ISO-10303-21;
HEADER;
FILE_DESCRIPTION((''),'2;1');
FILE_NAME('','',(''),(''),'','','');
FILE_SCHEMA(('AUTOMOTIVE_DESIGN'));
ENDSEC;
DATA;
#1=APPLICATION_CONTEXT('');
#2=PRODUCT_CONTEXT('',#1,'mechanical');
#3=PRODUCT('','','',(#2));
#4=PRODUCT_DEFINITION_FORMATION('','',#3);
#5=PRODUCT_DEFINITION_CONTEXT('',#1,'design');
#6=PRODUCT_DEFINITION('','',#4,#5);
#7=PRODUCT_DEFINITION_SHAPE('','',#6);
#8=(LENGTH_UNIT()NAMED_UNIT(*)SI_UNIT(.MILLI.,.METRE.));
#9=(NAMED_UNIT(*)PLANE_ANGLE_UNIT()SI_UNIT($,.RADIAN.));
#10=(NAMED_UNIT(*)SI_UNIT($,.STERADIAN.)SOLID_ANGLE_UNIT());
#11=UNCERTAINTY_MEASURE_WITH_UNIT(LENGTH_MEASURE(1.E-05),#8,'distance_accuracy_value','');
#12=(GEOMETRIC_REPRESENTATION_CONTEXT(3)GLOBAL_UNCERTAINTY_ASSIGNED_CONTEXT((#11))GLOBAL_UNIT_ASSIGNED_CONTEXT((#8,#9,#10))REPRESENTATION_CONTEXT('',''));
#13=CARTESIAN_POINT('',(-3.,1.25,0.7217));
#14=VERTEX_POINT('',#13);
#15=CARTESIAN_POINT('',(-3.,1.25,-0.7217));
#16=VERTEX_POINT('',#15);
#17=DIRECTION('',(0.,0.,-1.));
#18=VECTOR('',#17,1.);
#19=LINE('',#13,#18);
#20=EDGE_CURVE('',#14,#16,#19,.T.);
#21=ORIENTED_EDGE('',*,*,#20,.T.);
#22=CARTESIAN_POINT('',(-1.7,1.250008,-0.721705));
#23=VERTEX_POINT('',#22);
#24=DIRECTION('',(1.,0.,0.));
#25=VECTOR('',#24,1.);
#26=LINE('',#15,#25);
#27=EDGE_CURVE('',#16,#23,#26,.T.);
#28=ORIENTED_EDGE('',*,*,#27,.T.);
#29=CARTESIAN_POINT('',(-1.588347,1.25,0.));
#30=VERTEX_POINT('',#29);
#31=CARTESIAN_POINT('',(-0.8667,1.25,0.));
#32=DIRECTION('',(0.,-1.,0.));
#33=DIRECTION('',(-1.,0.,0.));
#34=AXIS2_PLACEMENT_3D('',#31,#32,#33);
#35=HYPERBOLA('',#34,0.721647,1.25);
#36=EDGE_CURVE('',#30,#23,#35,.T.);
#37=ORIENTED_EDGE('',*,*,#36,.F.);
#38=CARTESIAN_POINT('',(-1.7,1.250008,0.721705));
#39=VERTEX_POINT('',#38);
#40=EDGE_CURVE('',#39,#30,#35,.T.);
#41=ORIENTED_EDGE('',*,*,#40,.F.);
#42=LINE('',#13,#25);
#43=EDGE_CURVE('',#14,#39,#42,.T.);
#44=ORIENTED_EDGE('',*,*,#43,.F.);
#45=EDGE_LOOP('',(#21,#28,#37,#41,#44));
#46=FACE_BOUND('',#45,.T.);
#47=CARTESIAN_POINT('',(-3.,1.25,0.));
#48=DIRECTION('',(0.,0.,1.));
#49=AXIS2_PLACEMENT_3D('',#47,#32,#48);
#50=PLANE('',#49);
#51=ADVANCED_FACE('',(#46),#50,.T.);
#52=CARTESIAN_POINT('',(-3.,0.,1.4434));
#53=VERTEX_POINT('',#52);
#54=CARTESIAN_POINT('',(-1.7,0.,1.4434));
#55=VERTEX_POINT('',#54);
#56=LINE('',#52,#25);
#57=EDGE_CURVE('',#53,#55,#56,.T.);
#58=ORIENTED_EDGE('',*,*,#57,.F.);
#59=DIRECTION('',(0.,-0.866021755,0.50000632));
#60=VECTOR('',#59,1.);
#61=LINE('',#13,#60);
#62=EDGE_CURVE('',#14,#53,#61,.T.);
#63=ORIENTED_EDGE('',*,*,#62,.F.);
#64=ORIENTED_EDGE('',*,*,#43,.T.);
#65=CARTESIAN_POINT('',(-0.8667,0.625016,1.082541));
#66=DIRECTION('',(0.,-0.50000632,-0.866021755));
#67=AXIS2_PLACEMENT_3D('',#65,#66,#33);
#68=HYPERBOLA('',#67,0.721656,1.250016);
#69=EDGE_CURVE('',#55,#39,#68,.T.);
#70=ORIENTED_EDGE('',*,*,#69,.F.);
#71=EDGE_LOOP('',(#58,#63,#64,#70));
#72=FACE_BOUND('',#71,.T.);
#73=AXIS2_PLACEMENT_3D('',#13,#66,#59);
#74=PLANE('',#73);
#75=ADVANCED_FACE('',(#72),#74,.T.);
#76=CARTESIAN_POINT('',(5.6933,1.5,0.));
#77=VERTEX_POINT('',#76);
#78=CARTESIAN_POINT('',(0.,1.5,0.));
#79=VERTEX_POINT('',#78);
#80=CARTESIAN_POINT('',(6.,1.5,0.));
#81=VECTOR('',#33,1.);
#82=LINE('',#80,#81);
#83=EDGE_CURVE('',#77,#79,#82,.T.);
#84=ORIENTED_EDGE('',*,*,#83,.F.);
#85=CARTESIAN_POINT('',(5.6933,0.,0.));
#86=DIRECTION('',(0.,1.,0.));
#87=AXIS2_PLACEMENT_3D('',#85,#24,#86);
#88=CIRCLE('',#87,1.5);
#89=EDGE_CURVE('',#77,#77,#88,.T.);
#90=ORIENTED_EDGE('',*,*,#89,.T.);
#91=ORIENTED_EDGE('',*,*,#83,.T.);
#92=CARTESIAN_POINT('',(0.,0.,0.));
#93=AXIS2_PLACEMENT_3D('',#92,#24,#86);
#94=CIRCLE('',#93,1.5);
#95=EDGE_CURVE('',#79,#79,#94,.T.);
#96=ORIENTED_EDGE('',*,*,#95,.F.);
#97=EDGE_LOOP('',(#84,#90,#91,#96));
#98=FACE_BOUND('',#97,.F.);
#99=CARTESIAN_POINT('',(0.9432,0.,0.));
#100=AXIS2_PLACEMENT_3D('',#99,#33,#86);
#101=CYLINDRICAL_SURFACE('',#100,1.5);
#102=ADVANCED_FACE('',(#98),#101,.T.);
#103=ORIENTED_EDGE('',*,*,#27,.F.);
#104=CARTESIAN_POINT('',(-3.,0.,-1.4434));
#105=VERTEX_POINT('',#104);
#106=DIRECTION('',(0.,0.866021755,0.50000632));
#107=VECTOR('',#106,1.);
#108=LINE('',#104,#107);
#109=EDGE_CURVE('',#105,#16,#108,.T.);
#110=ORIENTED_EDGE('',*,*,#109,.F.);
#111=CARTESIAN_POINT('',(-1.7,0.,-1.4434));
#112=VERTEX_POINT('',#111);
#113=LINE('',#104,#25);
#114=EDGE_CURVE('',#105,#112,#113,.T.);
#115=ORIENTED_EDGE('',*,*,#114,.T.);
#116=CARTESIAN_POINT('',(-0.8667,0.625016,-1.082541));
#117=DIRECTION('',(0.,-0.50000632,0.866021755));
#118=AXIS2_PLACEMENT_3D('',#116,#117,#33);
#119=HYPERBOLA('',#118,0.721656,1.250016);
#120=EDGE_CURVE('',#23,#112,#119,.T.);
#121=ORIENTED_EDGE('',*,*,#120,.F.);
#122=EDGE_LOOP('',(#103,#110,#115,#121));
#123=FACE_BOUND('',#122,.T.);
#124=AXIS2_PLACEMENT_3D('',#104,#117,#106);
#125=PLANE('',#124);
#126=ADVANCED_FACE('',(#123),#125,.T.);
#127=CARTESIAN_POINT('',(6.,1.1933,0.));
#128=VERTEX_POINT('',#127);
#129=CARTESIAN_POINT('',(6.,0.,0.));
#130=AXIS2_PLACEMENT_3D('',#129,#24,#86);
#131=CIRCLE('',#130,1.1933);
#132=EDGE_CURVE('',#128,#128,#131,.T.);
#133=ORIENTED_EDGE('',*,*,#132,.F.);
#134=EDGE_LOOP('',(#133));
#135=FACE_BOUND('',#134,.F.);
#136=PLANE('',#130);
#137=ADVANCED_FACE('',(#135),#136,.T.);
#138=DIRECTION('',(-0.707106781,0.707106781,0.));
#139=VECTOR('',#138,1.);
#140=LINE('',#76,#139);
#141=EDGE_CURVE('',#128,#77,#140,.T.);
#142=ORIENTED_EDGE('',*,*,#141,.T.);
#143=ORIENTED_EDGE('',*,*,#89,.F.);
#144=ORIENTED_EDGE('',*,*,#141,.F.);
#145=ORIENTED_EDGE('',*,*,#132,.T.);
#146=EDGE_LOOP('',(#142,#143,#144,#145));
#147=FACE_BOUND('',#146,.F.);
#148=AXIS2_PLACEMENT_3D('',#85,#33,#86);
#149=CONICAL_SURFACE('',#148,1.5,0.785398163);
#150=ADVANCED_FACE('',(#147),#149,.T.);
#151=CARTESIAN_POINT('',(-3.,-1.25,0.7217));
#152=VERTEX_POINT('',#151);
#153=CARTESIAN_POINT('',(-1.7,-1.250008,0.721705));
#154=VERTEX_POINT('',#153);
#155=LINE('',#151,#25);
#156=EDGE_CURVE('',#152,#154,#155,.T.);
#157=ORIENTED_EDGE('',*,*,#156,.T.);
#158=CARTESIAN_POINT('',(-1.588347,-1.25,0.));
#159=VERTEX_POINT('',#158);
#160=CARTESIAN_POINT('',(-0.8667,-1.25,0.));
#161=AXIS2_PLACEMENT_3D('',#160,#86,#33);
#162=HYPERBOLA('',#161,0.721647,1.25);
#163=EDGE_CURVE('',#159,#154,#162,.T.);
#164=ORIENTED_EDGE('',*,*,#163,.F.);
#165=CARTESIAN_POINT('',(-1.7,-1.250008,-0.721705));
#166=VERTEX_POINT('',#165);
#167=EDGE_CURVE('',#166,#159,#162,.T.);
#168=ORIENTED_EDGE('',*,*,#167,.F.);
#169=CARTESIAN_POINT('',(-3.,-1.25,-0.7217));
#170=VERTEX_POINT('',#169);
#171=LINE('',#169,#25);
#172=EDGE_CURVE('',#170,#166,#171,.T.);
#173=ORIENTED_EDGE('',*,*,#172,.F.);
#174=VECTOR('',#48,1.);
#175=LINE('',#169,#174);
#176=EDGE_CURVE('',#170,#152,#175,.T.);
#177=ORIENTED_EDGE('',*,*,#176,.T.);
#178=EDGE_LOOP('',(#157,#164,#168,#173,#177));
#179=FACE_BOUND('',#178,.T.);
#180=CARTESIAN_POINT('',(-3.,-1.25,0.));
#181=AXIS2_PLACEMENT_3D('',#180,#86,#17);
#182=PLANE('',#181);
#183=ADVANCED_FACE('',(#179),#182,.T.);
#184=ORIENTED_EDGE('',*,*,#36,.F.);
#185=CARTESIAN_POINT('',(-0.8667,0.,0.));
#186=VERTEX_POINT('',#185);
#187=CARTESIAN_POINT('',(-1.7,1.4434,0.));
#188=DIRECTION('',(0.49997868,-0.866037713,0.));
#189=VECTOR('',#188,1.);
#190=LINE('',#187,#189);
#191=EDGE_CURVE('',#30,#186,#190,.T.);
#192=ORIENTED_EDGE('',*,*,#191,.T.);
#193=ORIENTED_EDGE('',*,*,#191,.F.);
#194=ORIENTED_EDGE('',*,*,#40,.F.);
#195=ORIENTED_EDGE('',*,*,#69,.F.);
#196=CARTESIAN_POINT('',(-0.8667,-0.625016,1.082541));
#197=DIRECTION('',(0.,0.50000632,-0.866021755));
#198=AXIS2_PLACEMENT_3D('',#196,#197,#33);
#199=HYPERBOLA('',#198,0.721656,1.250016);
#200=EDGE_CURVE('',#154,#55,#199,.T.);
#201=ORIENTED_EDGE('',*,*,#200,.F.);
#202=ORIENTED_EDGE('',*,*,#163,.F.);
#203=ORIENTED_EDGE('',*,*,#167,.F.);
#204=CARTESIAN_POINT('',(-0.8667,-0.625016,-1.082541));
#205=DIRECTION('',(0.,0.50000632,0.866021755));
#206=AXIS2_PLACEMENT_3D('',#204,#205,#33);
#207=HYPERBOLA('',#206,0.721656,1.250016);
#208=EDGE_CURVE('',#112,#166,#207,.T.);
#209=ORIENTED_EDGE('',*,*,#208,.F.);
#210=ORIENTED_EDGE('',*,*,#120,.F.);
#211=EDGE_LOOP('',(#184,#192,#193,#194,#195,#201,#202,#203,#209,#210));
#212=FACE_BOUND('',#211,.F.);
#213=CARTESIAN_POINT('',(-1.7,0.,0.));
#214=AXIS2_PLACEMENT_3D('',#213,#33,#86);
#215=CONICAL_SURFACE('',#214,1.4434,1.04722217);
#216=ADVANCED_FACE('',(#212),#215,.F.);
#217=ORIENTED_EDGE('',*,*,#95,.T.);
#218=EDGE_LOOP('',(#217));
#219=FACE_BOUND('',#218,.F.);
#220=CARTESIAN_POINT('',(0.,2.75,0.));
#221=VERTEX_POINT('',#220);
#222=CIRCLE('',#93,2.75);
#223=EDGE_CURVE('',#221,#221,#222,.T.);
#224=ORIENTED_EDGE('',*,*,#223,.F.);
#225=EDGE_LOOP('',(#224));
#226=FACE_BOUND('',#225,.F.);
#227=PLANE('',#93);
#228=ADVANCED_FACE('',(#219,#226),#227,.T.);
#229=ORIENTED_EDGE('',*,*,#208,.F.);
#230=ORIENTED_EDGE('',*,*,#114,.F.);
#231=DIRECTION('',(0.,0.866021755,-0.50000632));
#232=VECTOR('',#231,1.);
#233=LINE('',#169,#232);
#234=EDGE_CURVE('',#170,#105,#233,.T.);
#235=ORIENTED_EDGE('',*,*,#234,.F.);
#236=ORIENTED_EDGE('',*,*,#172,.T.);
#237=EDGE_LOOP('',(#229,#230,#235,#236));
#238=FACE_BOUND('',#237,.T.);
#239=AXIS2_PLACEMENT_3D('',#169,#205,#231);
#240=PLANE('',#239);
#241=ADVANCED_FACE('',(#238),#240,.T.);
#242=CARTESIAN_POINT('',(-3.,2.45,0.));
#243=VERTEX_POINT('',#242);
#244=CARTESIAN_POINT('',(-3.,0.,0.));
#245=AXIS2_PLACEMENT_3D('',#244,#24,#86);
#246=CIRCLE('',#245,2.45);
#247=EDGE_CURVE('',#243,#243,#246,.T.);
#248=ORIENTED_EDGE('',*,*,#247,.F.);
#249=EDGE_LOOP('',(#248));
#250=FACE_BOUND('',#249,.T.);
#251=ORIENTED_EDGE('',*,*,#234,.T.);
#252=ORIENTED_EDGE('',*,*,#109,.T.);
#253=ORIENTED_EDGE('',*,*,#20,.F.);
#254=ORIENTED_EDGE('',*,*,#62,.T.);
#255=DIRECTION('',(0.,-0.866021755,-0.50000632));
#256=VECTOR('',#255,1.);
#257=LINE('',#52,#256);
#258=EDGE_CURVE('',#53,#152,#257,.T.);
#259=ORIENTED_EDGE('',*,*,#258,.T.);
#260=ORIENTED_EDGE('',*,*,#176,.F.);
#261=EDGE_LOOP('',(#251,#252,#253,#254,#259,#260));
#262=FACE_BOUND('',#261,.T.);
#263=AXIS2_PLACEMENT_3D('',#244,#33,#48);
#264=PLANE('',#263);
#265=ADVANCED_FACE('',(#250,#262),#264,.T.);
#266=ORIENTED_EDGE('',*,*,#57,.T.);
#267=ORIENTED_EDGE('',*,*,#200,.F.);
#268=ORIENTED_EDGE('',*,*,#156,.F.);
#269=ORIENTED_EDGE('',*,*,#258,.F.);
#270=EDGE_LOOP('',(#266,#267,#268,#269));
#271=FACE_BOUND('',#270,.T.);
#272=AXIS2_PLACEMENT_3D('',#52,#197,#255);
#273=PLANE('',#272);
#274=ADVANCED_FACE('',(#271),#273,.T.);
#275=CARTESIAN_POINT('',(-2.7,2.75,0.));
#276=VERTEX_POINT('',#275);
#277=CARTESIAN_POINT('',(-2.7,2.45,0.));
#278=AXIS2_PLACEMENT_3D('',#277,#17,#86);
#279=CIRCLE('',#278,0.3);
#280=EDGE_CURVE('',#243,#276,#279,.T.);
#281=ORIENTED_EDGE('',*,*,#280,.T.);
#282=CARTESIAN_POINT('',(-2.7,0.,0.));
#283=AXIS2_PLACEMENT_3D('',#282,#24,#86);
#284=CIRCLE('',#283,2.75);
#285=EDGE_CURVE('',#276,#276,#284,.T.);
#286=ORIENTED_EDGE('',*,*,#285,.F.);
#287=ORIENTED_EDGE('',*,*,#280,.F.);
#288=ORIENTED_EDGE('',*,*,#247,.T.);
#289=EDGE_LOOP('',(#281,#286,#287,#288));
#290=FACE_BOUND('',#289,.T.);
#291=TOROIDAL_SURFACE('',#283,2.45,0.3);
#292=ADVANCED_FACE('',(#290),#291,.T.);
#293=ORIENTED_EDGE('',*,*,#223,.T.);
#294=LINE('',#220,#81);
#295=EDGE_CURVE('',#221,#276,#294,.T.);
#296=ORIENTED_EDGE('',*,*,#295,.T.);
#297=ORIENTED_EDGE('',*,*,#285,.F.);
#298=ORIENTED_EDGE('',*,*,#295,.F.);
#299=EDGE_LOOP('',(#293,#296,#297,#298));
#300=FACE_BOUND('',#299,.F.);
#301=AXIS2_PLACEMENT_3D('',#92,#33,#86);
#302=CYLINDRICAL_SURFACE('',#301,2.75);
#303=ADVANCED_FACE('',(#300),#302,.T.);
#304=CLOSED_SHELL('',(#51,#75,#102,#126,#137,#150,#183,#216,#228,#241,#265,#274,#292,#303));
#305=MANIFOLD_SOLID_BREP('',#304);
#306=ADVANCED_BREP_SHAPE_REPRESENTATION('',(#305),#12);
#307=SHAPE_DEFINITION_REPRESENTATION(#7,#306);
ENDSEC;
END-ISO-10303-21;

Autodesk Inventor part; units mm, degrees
ref_plane "YZ Plane" through (0, 0, 0) normal (1, 0, 0) x (0, 1, 0)
ref_plane "XZ Plane" through (0, 0, 0) normal (0, 1, 0) x (-1, 0, 0)
ref_plane "XY Plane" through (0, 0, 0) normal (0, 0, 1) x (1, 0, 0)
sketch "Skizze1" plane through (0, 0, 0) normal (0, 0, 1) x (1, 0, 0)
  line L0 (-0.8667, 0) -> (6, 0)
  line L1 (6, 0) -> (6, 1.5)
  line L2 (6, 1.5) -> (1.25, 1.5)
  line L3 (1.25, 1.5) -> (0.9432, 1.5)
  line L4 (0.9432, 1.5) -> (0, 1.5)
  line L5 (0, 1.5) -> (0, 2.75)
  line L6 (0, 2.75) -> (-3, 2.75)
  line L7 (-3, 2.75) -> (-3, 1.4434)
  line L8 (-3, 1.4434) -> (-1.7, 1.4434)
  line L9 (-1.7, 1.4434) -> (-0.8667, 0)
  line L10 (-15.5, 0) -> (61.5, 0) projected
  line L11 (0, -0.8) -> (0, 10.4) projected
  line L12 (1.25, 1.5) -> (0, 1.5) construction
  dimension "d1" = 4.75
  dimension "d2" = 0.3068
  dimension "d3" = 3
  dimension "d4" = 1.3
  dimension "d5" = 60
  dimension "d6" = 3
  dimension "d7" = 3
  dimension "d8" = 2.8868
  dimension "d9" = 5.5
  dimension "d26" = 6
revolve "Körper" add sketch "Skizze1" angle 360 about axis through (-0.8667, 0, 0) along (1, 0, 0)
sketch "Skizze2" plane through (-3, 0, 0) normal (-1, 0, 0) x (0, 0, 1)
  circle A0 centre (0, 0) radius 1.4434 projected
  line L0 (0, -3.3) -> (0, 4.4) projected
  line L1 (-3.3, 0) -> (4.4, 0) projected
  line L2 (1.4434, 0) -> (0.7217, -1.25)
  line L3 (0.7217, -1.25) -> (-0.7217, -1.25)
  line L4 (-0.7217, -1.25) -> (-1.4434, 0)
  line L5 (-1.4434, 0) -> (-0.7217, 1.25)
  line L6 (-0.7217, 1.25) -> (0.7217, 1.25)
  line L7 (0.7217, 1.25) -> (1.4434, 0)
extrude "Loch" add sketch "Skizze2" against normal up to next contours L7 A0 | A0 L2 | L6 L0 A0 | A0 L0 L3 | L0 L6 A0 | A0 L3 L0 | L4 A0 | A0 L5
fillet "Rundung1" radius 0.3 1 edges at (-3, -2.75, 0)
thread "Gewinde" size "M3x0.5" designation "M3" class "6g" standard "ANSI Metrisches M Profil" length 4.75
chamfer "Fase1" distance 0.3067 distance2 0.3067 1 edges at (6, -1.5, 0) measured on face at (6, -0.2617, -0.7882)
equation "\"d1\" = GEL"
equation "\"d3\" = KOH"
equation "\"d4\" = INTI"
equation "\"d6\" = GD"
equation "\"d7\" = BDM"
equation "\"d8\" = 1.1547 * SW"
equation "\"d9\" = KOD"
equation "\"d26\" = NLG"
equation "\"d17\" = RR"
equation "\"d13\" = GEL"
equation "\"d15\" = -0.5 * SPD + 0.5 * GD"
equation "\"d16\" = GUL"
equation "\"GD\" = NND"
equation "\"NLG\" = 6"
equation "\"GEL\" = 4.75"
equation "\"KOD\" = 5.5"
equation "\"KOH\" = 3"
equation "\"INTI\" = 1.3"
equation "\"GAL\" = 0.61345 * TPU"
equation "\"GUL\" = 0.61345 * TPU"
equation "\"BDM\" = NND"
equation "\"SW\" = 2.5"
equation "\"RR\" = 0.1 * KOH"
equation "\"SPD\" = NND - 1.2269 * TPU"
equation "\"NND\" = 3"
equation "\"E0\" = 1.155 * SW"
equation "\"ANG\" = 120deg"
equation "\"FAWI\" = 45deg"
equation "\"THREADDIA\" = 3"
equation "\"TPU\" = 0.5"
equation "\"GD1\" = THREADDIA - 1.2269 * TPU"
equation "\"PTC\" = TPU"
equation "\"TOA\" = 30deg"
properties part number "520204172"
